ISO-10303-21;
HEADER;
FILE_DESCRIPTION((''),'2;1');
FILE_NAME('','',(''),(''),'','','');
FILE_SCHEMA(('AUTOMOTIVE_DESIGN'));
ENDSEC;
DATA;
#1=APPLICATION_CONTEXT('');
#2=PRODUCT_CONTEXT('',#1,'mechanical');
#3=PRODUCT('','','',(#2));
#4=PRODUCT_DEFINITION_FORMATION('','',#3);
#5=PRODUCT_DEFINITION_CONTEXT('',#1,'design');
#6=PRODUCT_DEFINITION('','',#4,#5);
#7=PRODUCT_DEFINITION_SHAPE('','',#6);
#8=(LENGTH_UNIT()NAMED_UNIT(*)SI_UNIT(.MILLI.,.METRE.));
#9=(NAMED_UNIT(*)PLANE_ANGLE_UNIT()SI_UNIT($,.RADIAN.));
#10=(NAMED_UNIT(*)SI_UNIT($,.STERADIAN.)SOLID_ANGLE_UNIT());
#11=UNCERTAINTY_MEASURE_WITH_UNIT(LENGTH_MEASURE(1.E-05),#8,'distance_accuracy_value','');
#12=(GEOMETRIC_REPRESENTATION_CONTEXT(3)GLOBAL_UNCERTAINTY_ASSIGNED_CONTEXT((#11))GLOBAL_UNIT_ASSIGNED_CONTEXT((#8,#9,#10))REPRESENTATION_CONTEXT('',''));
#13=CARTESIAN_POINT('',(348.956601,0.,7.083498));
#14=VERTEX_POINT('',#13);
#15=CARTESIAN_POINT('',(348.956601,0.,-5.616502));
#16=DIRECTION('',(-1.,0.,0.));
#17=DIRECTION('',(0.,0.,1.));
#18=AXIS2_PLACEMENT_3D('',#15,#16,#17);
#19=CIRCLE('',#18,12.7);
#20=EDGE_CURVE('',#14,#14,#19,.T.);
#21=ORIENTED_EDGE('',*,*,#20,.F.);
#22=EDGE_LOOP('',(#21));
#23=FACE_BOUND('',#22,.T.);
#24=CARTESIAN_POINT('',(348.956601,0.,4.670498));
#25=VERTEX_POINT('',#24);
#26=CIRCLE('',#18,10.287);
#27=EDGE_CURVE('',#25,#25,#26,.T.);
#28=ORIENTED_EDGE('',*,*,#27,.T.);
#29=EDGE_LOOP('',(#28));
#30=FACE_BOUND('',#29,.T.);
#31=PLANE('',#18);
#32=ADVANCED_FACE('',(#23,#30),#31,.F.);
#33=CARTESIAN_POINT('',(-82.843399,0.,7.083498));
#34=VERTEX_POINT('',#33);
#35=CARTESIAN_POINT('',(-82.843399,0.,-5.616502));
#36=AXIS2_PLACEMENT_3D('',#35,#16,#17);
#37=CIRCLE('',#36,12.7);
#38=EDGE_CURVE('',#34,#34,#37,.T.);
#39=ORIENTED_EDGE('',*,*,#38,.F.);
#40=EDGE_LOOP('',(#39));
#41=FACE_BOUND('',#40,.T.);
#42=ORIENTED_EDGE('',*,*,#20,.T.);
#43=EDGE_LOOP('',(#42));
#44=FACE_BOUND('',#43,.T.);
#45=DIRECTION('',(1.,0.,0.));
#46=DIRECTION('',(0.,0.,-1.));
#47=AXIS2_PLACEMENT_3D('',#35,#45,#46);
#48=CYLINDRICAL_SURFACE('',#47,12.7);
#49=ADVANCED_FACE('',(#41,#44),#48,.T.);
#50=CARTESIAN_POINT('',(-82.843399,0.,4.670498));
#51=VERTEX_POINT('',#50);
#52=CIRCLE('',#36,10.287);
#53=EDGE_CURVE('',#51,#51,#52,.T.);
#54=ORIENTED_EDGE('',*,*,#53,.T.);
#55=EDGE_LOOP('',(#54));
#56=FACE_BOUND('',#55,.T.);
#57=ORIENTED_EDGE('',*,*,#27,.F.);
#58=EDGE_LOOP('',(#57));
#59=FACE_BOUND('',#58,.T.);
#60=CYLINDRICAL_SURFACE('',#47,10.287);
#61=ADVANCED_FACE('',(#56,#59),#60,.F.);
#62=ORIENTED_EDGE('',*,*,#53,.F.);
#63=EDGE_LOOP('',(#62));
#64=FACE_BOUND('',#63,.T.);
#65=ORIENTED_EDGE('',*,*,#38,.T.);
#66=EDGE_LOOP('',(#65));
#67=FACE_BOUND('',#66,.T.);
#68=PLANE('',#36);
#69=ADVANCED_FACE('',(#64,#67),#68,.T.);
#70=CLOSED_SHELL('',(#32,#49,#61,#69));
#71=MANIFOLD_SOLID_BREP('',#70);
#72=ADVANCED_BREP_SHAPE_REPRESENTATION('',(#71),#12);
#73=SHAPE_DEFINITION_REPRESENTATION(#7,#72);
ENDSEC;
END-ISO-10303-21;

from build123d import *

# Parameters (mm, degrees)
SKETCH113_R                                    = 12.7
SKETCH113_R_2                                  = 10.287
AL_ROUND_TUBING_AL_RND_TUBE_1_OD_X_0_095_DEPTH = 431.8


with BuildPart() as part:
    # Sketch113 → Al round tubing AL RND TUBE 1 OD X 0.095 WALL(1) (new body)
    with BuildSketch(Plane(origin=(348.95660066, 0, -5.61650165), x_dir=(0, 0, 1), z_dir=(-1, 0, 0))):
        Circle(SKETCH113_R)
        Circle(SKETCH113_R_2, mode=Mode.SUBTRACT)
    extrude(amount=AL_ROUND_TUBING_AL_RND_TUBE_1_OD_X_0_095_DEPTH)


solid = part.part
